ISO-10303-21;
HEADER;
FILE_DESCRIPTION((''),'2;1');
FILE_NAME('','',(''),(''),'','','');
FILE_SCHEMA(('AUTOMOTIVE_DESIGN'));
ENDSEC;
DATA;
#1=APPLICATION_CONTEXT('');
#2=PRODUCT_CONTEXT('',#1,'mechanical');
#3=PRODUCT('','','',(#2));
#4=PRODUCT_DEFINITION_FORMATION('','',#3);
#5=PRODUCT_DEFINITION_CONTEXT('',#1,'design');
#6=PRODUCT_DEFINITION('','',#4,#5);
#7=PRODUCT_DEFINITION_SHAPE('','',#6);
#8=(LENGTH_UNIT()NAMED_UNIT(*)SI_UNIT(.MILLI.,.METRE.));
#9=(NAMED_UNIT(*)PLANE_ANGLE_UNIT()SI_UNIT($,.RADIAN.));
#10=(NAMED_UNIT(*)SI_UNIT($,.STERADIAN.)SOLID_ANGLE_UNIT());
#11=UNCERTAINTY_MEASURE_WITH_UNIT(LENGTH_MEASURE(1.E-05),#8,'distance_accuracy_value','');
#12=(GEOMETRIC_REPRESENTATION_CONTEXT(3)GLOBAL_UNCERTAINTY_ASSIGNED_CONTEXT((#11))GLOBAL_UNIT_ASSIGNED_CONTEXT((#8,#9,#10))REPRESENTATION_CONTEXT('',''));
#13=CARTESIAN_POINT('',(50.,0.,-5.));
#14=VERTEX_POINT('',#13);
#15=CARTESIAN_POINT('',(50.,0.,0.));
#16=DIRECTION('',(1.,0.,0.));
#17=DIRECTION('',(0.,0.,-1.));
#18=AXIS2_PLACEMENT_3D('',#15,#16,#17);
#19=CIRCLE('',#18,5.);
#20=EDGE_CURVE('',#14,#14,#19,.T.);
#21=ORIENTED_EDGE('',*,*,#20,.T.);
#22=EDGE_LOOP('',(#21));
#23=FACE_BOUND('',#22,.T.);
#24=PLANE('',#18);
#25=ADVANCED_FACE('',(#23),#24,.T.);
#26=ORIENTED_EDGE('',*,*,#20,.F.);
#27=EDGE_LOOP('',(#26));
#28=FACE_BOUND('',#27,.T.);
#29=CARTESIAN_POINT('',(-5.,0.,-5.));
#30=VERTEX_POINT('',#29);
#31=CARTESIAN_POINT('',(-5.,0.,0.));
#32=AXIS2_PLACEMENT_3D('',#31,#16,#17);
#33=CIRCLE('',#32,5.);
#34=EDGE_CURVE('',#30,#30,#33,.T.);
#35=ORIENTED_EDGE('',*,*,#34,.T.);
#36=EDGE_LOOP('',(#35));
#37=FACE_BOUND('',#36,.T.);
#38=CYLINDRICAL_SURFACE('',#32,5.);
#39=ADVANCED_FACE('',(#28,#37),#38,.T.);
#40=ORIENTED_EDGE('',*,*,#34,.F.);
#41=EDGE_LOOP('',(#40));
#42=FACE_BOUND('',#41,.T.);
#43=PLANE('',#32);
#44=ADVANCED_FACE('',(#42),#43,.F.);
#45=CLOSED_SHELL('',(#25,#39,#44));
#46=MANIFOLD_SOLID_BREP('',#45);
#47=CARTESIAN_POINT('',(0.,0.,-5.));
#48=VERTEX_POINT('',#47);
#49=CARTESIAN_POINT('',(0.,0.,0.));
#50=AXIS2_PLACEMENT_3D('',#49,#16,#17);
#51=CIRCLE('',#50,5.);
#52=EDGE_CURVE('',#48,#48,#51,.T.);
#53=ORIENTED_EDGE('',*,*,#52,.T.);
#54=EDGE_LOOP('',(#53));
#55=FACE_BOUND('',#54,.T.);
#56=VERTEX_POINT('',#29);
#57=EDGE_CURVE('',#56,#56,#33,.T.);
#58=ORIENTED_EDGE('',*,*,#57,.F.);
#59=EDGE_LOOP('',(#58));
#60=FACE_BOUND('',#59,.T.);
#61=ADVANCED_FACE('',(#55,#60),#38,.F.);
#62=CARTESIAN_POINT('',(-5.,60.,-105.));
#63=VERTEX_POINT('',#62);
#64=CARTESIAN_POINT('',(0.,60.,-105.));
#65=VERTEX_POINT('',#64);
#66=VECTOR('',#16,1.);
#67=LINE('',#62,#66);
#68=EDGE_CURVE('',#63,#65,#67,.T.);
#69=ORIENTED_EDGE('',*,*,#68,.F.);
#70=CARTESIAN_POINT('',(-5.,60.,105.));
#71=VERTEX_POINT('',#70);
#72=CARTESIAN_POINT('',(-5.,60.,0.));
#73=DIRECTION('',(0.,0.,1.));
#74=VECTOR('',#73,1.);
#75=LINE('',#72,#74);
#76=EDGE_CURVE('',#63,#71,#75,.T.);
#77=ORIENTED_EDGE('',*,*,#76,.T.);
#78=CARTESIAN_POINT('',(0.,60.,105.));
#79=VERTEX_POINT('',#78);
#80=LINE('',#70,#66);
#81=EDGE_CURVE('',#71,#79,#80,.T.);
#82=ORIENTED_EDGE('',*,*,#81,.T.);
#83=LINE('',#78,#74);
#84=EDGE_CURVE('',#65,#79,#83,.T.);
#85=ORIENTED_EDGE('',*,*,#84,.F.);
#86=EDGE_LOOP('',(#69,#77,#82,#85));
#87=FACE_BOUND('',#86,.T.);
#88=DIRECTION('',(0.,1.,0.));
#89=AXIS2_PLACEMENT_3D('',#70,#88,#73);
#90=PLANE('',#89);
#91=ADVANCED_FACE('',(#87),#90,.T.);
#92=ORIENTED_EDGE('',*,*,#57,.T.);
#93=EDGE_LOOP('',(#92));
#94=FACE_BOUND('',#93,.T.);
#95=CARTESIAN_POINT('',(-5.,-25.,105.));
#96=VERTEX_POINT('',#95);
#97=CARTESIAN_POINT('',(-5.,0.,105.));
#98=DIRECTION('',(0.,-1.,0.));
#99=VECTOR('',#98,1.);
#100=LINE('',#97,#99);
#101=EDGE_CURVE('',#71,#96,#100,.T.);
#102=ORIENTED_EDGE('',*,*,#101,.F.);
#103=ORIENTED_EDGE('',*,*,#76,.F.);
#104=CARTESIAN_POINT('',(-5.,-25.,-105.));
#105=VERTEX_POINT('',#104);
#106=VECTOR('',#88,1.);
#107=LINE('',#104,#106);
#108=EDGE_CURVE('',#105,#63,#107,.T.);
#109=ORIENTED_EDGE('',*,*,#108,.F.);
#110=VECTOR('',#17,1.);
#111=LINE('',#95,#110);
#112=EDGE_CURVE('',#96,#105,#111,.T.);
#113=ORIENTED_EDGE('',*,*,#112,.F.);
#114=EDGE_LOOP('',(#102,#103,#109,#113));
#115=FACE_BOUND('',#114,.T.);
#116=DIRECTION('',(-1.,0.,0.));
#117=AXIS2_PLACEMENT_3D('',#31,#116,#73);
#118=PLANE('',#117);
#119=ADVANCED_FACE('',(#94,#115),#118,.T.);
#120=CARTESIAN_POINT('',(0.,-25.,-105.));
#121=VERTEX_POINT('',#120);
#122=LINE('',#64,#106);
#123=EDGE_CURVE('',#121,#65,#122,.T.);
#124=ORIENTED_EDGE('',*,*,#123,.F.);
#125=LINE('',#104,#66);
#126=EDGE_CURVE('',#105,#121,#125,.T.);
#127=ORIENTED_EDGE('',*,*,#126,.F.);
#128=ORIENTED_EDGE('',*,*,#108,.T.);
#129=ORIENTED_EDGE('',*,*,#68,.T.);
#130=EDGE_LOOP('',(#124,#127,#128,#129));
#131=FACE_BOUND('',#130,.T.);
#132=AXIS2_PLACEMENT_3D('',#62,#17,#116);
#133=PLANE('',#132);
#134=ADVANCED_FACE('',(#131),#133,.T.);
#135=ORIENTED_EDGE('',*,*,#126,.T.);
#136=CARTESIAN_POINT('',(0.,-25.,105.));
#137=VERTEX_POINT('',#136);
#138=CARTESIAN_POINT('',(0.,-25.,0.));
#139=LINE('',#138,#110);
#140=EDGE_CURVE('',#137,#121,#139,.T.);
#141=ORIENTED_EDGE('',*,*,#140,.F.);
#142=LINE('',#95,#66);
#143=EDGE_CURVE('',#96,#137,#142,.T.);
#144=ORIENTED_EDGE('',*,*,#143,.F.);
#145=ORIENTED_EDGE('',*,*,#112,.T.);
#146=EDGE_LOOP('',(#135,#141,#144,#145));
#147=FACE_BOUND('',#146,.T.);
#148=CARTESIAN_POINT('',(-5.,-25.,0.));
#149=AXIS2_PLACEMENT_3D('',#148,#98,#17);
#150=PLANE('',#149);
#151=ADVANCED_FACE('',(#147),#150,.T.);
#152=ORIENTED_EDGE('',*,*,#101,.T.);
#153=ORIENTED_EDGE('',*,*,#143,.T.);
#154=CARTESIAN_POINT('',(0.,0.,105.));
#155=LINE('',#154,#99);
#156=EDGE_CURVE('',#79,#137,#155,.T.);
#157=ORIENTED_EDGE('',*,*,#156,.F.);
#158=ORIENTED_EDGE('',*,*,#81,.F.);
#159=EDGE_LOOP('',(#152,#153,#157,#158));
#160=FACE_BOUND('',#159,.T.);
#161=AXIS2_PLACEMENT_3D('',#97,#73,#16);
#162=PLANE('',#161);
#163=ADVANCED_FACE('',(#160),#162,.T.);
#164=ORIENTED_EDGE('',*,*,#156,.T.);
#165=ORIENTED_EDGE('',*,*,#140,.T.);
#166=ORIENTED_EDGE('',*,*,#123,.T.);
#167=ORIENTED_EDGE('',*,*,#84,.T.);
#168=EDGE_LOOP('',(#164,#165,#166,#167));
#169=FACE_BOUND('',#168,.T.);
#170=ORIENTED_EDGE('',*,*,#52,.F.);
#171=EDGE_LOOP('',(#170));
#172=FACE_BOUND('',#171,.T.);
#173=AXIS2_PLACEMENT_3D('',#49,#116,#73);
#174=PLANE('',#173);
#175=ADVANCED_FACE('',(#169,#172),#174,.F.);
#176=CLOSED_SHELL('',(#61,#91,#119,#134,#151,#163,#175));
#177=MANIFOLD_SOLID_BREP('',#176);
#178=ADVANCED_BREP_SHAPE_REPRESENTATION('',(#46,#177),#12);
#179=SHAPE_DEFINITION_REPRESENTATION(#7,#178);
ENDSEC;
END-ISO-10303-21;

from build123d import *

# Parameters (mm, degrees)
BOSS_EXTRUDE1_DEPTH      = 50
BOSS_EXTRUDE1_DEPTH_BACK = 5
SKETCH1_R                = 5
SKETCH1_3_R              = 5
BOSS_EXTRUDE2_DEPTH      = 5


with BuildPart() as part:
    # Sketch1 → Boss-Extrude1 (new, two sides: drawn at the far end of the back side and taken through both)
    with BuildSketch(Plane(origin=(0, 0, 0), x_dir=(0, 0, -1), z_dir=(1, 0, 0)).offset(-BOSS_EXTRUDE1_DEPTH_BACK)):
        Circle(SKETCH1_R)
    extrude(amount=BOSS_EXTRUDE1_DEPTH + BOSS_EXTRUDE1_DEPTH_BACK)


with BuildPart() as body_2:
    # Sketch1<3> → Boss-Extrude2 (new body)
    with BuildSketch(Plane(origin=(0, 0, 0), x_dir=(0, 0, -1), z_dir=(1, 0, 0))):
        Polygon((0, -25), (105, -25), (105, 0), (105, 60), (0, 60), (-105, 60), (-105, 0), (-105, -25), align=None)
        Circle(SKETCH1_3_R, mode=Mode.SUBTRACT)
    extrude(amount=-BOSS_EXTRUDE2_DEPTH)


solid = Compound([part.part, body_2.part])
